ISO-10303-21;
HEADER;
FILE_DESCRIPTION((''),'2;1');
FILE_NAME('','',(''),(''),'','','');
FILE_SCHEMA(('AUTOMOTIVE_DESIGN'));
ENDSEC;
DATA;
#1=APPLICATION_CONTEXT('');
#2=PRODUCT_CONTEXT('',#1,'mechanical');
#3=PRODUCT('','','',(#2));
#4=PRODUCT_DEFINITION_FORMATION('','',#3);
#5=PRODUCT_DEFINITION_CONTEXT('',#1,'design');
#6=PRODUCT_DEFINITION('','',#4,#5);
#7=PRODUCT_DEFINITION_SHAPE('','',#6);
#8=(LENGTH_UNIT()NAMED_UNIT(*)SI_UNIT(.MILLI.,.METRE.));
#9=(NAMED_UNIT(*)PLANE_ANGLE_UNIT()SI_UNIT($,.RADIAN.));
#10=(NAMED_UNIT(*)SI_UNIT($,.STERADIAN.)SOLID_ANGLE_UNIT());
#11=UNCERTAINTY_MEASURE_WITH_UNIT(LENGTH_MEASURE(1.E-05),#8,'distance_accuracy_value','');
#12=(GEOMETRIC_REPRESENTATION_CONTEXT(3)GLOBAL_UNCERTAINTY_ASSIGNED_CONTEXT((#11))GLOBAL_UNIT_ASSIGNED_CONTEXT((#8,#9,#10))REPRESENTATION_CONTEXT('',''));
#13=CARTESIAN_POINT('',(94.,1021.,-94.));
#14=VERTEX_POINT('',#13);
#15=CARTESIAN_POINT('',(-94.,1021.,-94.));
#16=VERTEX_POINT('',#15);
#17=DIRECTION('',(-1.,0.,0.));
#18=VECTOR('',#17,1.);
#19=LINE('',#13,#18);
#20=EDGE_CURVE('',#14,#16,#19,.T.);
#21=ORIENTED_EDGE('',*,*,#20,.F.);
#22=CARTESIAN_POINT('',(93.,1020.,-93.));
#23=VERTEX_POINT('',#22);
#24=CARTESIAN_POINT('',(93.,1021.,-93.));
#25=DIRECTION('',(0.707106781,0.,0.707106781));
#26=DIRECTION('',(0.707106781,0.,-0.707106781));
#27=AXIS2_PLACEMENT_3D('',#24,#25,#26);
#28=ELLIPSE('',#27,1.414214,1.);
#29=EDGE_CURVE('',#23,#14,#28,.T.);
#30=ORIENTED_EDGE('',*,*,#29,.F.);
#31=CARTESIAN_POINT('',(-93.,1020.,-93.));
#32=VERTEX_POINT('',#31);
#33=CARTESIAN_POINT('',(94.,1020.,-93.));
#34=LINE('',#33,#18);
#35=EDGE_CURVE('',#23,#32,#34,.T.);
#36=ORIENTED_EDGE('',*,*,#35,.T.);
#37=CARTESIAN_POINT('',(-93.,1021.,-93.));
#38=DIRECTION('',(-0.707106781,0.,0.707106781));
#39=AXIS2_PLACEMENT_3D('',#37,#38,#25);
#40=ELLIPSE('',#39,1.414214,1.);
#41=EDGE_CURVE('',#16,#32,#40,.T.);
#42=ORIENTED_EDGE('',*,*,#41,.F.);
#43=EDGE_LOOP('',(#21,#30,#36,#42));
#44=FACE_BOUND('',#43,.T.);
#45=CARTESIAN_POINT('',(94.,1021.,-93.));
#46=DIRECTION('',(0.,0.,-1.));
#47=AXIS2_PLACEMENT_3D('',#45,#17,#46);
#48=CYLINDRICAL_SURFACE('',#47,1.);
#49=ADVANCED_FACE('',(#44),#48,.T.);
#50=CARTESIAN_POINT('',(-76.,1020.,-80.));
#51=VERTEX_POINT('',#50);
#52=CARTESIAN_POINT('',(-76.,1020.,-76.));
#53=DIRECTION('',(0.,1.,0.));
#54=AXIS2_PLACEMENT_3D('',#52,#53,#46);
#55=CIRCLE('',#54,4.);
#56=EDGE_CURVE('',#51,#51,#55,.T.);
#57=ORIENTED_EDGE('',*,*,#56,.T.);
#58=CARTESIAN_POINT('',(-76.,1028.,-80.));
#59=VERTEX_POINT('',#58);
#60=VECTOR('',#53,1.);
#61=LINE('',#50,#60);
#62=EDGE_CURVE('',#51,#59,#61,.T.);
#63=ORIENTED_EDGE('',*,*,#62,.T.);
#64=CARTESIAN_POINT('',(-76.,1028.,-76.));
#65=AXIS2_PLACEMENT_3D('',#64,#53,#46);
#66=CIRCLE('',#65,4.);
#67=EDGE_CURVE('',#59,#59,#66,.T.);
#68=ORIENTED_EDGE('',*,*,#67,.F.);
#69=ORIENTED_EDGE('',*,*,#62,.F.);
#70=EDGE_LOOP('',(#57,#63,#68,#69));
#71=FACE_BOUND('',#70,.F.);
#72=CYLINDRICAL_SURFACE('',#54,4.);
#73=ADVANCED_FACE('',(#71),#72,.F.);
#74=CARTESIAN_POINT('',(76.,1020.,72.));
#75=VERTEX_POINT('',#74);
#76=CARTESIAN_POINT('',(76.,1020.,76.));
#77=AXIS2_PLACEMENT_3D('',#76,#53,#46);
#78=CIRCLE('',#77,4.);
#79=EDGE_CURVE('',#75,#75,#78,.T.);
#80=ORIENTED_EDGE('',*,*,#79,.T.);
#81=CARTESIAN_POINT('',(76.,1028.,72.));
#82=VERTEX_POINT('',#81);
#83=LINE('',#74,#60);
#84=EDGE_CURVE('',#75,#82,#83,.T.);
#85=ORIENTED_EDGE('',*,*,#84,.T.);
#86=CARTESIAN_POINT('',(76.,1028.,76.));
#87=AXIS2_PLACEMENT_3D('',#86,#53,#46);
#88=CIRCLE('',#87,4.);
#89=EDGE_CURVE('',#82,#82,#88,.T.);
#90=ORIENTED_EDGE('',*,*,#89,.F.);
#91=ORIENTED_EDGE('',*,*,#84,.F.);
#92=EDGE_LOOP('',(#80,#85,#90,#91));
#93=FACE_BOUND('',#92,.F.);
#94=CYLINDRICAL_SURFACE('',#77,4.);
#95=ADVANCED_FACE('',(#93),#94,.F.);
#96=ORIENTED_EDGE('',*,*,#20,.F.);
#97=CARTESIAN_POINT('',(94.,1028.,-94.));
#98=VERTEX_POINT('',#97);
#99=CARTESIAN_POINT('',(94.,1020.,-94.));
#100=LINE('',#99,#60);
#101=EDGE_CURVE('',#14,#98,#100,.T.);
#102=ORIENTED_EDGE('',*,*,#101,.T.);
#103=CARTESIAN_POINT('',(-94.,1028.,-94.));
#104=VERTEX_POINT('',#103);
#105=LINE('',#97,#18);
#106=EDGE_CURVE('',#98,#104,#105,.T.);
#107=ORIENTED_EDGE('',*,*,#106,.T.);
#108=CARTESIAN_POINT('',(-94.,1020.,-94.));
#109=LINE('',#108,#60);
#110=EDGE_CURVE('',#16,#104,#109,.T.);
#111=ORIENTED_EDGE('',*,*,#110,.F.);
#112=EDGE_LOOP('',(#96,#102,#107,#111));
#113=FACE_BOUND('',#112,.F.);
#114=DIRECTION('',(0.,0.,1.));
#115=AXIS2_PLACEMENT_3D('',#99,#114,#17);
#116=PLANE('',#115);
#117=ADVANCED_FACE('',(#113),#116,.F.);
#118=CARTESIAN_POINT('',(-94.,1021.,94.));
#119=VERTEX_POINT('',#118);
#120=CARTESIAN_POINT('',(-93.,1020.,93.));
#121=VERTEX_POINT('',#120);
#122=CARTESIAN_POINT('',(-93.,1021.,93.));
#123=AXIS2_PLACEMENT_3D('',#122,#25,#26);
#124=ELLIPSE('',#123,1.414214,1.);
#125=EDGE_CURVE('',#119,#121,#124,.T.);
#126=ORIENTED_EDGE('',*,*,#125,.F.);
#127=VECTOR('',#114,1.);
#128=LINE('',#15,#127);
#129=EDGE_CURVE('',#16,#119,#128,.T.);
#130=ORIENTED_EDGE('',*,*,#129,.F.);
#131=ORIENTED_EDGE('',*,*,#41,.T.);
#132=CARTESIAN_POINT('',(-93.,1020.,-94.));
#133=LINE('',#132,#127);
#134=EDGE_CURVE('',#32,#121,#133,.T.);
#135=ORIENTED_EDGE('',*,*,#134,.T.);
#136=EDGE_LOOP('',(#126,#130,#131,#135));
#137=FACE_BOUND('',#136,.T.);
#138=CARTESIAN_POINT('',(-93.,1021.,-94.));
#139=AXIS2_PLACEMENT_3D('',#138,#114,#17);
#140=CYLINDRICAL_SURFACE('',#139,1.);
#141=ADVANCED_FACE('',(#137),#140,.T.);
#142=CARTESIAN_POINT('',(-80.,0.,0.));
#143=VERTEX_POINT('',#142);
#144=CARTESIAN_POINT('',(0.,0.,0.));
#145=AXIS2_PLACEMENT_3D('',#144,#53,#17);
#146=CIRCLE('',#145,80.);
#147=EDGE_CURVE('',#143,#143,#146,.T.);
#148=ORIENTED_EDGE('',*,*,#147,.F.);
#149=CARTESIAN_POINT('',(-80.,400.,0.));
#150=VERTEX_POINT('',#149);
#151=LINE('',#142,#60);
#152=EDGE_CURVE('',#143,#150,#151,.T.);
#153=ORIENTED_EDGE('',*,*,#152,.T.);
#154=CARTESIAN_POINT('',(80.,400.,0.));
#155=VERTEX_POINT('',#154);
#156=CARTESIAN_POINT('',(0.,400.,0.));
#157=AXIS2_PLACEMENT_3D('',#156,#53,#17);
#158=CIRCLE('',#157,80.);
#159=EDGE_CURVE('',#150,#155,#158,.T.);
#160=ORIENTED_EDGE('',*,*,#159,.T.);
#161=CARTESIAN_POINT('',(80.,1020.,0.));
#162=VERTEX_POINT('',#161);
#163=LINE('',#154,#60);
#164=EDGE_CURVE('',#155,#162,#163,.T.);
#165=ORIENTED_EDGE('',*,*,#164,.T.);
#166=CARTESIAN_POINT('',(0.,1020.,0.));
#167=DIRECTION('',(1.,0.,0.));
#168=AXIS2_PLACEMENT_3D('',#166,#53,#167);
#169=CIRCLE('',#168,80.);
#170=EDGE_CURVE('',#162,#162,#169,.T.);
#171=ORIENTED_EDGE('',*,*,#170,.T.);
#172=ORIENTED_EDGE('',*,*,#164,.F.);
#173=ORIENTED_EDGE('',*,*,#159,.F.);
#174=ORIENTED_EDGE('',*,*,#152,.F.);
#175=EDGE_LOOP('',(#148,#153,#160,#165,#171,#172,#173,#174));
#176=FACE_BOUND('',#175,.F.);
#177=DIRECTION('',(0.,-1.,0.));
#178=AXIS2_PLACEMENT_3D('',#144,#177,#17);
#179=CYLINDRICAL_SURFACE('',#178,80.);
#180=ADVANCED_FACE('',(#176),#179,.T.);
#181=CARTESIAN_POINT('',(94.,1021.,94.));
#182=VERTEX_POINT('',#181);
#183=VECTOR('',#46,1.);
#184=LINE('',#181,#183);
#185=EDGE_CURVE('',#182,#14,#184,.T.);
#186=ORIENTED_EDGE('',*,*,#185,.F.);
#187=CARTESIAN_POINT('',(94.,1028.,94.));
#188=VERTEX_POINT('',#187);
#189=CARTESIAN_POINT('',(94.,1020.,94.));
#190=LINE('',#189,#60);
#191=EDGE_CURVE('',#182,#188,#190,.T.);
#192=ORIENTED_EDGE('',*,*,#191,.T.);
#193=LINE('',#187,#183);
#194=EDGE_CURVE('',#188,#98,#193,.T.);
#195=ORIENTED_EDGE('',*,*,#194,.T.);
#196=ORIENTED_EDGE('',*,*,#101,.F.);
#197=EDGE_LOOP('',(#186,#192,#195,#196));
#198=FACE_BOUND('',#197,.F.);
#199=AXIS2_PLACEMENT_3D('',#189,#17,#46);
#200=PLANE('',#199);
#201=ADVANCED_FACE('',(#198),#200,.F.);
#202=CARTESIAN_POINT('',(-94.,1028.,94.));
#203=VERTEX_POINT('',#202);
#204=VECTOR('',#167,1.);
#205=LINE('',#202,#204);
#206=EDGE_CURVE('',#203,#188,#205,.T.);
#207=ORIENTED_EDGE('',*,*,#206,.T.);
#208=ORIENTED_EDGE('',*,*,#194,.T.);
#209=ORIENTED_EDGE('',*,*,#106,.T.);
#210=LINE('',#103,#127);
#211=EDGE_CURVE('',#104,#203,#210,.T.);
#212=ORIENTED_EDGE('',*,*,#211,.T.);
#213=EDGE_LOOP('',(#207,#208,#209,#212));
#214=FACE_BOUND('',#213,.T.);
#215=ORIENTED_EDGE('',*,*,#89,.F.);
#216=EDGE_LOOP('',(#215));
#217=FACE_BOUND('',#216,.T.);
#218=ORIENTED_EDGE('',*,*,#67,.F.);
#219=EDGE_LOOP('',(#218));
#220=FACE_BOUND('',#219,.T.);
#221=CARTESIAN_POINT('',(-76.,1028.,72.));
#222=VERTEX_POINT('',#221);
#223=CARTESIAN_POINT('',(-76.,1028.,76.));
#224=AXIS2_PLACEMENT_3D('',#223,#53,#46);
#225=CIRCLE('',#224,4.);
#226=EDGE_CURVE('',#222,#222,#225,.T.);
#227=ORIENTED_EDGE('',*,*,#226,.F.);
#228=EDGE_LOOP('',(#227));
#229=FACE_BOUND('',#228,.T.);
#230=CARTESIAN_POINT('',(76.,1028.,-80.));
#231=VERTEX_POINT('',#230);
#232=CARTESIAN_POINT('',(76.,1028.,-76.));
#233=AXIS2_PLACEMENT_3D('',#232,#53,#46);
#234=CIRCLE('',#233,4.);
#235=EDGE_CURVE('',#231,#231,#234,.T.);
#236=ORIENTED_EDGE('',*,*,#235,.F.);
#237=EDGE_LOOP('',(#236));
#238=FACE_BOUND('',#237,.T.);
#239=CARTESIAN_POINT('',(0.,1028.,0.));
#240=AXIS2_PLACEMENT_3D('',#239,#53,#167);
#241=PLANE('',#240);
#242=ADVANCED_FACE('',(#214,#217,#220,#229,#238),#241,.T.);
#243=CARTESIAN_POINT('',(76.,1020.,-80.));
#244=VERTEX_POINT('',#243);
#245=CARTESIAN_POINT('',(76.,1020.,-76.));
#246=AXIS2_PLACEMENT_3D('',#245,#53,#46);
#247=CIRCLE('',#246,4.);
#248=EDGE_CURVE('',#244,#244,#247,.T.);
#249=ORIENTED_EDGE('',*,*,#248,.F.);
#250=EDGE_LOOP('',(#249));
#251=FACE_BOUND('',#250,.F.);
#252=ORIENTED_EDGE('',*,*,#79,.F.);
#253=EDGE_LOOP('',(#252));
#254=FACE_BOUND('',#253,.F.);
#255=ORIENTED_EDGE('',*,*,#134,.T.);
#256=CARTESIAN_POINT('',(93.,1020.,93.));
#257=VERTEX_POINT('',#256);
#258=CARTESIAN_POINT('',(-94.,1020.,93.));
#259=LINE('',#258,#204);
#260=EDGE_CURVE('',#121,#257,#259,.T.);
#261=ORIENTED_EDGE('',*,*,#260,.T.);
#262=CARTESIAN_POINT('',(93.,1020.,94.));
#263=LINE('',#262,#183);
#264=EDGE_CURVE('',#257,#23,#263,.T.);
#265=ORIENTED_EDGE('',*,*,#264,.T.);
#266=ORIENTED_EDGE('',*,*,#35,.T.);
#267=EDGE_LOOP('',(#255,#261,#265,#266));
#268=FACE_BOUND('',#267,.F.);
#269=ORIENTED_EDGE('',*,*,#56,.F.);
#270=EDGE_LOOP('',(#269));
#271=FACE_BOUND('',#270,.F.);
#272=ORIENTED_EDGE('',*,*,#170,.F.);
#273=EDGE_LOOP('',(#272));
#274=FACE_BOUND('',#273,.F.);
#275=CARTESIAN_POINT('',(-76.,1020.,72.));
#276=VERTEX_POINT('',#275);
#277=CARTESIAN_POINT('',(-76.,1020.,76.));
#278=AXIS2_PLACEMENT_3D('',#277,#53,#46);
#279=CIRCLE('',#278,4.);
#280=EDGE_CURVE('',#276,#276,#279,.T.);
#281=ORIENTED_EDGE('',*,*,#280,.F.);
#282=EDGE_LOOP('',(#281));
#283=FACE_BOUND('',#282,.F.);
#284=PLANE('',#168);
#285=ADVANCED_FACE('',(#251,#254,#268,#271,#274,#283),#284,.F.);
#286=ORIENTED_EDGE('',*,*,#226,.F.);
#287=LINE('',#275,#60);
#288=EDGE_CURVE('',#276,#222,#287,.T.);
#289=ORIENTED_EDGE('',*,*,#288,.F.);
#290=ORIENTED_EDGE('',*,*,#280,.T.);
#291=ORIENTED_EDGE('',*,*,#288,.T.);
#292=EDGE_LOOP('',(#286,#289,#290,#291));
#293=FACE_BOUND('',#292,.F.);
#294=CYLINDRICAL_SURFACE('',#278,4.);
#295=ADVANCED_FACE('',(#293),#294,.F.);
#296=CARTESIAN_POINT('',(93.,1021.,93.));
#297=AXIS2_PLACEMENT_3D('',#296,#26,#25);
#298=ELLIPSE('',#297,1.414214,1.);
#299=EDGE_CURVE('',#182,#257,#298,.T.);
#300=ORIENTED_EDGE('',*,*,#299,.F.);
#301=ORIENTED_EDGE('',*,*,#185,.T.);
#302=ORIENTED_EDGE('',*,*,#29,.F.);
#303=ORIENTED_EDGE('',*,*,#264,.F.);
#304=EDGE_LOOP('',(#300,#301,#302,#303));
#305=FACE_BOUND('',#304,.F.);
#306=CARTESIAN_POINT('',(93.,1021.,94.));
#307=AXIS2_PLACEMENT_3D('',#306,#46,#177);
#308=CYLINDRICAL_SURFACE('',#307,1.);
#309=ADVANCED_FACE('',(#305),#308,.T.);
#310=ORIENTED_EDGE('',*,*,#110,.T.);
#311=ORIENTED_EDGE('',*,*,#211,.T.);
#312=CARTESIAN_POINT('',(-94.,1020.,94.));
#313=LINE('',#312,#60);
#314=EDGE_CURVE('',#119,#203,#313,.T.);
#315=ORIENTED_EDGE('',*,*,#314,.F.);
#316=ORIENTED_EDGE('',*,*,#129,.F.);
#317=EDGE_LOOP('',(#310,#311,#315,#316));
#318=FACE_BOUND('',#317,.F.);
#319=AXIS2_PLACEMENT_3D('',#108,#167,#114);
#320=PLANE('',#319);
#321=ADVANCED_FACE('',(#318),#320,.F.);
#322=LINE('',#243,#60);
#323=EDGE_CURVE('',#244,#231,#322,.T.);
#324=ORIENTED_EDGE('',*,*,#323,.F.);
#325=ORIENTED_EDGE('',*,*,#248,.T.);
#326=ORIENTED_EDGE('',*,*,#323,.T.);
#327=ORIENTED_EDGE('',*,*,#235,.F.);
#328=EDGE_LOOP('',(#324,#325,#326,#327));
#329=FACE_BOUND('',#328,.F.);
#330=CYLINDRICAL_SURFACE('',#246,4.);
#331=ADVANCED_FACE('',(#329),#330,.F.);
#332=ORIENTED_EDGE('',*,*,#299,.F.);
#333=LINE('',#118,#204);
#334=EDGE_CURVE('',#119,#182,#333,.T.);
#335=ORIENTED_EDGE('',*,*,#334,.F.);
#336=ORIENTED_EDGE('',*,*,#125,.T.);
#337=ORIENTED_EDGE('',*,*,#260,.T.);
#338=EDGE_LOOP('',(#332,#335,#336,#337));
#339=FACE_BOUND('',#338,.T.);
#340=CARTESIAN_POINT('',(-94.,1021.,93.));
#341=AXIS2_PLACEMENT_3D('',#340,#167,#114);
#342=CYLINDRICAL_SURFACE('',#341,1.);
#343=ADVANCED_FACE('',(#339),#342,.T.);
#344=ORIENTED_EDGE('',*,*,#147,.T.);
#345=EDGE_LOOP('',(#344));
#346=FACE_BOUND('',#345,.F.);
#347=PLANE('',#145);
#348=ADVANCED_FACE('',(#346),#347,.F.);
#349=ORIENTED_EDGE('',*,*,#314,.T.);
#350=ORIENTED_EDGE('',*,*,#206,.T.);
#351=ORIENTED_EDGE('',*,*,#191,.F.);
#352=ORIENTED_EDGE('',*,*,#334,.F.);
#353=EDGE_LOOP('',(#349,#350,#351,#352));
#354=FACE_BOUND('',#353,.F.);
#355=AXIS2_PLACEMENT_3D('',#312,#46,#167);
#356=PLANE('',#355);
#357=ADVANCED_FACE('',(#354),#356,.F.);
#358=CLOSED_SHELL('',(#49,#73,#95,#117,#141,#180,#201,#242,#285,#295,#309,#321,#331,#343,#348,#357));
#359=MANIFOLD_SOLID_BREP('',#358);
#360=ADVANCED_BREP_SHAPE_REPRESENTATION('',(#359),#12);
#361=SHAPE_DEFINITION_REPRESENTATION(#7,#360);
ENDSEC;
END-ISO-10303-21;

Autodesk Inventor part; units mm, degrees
ref_plane "YZ Plane" through (0, 0, 0) normal (1, 0, 0) x (0, 1, 0)
ref_plane "XZ Plane" through (0, 0, 0) normal (0, 1, 0) x (-1, 0, 0)
sketch "Sketch1" plane through (0, 0, 0) normal (0, 1, 0) x (-1, 0, 0)
  circle A0 centre (0, 0) radius 80
extrude "InBase" add sketch "Sketch1" along normal blind 400
sketch "Sketch2" plane through (0, 400, 0) normal (0, 1, 0) x (1, 0, 0)
  circle A0 centre (0, 0) radius 80
extrude "AboveBase" add sketch "Sketch2" along normal blind 620
ref_plane "PlateWorkPlane" through (0, 1020, 0) normal (0, 1, 0) x (1, 0, 0)
sketch "Sketch3" plane through (0, 1020, 0) normal (0, 1, 0) x (1, 0, 0)
  line L0 (-94, -94) -> (94, -94)
  line L1 (94, -94) -> (94, 94)
  line L2 (94, 94) -> (-94, 94)
  line L3 (-94, 94) -> (-94, -94)
  line L4 (-94, -94) -> (94, 94) construction
  line L5 (94, -94) -> (-94, 94) construction
  point P0 (0, 0)
extrude "ConnectorPlate" add sketch "Sketch3" along normal blind 8
sketch "Sketch4" plane through (0, 1020, 0) normal (0, -1, 0) x (1, 0, 0)
  point P0 (0, 0)
  point P1 (-76, -76)
  point P2 (-76, 76)
  point P3 (76, 76)
  point P4 (76, -76)
hole "BoltHoles" at (-76, 1020, 76) at (76, 1020, 76) at (76, 1020, -76) at (-76, 1020, -76) direction (0, 1, 0) diameter 8 end through all
fillet "Fillet1" radius 1 4 edges at (0, 1020, 94) (94, 1020, 0) (-94, 1020, 0) (0, 1020, -94)
properties part number "RaAxis"
